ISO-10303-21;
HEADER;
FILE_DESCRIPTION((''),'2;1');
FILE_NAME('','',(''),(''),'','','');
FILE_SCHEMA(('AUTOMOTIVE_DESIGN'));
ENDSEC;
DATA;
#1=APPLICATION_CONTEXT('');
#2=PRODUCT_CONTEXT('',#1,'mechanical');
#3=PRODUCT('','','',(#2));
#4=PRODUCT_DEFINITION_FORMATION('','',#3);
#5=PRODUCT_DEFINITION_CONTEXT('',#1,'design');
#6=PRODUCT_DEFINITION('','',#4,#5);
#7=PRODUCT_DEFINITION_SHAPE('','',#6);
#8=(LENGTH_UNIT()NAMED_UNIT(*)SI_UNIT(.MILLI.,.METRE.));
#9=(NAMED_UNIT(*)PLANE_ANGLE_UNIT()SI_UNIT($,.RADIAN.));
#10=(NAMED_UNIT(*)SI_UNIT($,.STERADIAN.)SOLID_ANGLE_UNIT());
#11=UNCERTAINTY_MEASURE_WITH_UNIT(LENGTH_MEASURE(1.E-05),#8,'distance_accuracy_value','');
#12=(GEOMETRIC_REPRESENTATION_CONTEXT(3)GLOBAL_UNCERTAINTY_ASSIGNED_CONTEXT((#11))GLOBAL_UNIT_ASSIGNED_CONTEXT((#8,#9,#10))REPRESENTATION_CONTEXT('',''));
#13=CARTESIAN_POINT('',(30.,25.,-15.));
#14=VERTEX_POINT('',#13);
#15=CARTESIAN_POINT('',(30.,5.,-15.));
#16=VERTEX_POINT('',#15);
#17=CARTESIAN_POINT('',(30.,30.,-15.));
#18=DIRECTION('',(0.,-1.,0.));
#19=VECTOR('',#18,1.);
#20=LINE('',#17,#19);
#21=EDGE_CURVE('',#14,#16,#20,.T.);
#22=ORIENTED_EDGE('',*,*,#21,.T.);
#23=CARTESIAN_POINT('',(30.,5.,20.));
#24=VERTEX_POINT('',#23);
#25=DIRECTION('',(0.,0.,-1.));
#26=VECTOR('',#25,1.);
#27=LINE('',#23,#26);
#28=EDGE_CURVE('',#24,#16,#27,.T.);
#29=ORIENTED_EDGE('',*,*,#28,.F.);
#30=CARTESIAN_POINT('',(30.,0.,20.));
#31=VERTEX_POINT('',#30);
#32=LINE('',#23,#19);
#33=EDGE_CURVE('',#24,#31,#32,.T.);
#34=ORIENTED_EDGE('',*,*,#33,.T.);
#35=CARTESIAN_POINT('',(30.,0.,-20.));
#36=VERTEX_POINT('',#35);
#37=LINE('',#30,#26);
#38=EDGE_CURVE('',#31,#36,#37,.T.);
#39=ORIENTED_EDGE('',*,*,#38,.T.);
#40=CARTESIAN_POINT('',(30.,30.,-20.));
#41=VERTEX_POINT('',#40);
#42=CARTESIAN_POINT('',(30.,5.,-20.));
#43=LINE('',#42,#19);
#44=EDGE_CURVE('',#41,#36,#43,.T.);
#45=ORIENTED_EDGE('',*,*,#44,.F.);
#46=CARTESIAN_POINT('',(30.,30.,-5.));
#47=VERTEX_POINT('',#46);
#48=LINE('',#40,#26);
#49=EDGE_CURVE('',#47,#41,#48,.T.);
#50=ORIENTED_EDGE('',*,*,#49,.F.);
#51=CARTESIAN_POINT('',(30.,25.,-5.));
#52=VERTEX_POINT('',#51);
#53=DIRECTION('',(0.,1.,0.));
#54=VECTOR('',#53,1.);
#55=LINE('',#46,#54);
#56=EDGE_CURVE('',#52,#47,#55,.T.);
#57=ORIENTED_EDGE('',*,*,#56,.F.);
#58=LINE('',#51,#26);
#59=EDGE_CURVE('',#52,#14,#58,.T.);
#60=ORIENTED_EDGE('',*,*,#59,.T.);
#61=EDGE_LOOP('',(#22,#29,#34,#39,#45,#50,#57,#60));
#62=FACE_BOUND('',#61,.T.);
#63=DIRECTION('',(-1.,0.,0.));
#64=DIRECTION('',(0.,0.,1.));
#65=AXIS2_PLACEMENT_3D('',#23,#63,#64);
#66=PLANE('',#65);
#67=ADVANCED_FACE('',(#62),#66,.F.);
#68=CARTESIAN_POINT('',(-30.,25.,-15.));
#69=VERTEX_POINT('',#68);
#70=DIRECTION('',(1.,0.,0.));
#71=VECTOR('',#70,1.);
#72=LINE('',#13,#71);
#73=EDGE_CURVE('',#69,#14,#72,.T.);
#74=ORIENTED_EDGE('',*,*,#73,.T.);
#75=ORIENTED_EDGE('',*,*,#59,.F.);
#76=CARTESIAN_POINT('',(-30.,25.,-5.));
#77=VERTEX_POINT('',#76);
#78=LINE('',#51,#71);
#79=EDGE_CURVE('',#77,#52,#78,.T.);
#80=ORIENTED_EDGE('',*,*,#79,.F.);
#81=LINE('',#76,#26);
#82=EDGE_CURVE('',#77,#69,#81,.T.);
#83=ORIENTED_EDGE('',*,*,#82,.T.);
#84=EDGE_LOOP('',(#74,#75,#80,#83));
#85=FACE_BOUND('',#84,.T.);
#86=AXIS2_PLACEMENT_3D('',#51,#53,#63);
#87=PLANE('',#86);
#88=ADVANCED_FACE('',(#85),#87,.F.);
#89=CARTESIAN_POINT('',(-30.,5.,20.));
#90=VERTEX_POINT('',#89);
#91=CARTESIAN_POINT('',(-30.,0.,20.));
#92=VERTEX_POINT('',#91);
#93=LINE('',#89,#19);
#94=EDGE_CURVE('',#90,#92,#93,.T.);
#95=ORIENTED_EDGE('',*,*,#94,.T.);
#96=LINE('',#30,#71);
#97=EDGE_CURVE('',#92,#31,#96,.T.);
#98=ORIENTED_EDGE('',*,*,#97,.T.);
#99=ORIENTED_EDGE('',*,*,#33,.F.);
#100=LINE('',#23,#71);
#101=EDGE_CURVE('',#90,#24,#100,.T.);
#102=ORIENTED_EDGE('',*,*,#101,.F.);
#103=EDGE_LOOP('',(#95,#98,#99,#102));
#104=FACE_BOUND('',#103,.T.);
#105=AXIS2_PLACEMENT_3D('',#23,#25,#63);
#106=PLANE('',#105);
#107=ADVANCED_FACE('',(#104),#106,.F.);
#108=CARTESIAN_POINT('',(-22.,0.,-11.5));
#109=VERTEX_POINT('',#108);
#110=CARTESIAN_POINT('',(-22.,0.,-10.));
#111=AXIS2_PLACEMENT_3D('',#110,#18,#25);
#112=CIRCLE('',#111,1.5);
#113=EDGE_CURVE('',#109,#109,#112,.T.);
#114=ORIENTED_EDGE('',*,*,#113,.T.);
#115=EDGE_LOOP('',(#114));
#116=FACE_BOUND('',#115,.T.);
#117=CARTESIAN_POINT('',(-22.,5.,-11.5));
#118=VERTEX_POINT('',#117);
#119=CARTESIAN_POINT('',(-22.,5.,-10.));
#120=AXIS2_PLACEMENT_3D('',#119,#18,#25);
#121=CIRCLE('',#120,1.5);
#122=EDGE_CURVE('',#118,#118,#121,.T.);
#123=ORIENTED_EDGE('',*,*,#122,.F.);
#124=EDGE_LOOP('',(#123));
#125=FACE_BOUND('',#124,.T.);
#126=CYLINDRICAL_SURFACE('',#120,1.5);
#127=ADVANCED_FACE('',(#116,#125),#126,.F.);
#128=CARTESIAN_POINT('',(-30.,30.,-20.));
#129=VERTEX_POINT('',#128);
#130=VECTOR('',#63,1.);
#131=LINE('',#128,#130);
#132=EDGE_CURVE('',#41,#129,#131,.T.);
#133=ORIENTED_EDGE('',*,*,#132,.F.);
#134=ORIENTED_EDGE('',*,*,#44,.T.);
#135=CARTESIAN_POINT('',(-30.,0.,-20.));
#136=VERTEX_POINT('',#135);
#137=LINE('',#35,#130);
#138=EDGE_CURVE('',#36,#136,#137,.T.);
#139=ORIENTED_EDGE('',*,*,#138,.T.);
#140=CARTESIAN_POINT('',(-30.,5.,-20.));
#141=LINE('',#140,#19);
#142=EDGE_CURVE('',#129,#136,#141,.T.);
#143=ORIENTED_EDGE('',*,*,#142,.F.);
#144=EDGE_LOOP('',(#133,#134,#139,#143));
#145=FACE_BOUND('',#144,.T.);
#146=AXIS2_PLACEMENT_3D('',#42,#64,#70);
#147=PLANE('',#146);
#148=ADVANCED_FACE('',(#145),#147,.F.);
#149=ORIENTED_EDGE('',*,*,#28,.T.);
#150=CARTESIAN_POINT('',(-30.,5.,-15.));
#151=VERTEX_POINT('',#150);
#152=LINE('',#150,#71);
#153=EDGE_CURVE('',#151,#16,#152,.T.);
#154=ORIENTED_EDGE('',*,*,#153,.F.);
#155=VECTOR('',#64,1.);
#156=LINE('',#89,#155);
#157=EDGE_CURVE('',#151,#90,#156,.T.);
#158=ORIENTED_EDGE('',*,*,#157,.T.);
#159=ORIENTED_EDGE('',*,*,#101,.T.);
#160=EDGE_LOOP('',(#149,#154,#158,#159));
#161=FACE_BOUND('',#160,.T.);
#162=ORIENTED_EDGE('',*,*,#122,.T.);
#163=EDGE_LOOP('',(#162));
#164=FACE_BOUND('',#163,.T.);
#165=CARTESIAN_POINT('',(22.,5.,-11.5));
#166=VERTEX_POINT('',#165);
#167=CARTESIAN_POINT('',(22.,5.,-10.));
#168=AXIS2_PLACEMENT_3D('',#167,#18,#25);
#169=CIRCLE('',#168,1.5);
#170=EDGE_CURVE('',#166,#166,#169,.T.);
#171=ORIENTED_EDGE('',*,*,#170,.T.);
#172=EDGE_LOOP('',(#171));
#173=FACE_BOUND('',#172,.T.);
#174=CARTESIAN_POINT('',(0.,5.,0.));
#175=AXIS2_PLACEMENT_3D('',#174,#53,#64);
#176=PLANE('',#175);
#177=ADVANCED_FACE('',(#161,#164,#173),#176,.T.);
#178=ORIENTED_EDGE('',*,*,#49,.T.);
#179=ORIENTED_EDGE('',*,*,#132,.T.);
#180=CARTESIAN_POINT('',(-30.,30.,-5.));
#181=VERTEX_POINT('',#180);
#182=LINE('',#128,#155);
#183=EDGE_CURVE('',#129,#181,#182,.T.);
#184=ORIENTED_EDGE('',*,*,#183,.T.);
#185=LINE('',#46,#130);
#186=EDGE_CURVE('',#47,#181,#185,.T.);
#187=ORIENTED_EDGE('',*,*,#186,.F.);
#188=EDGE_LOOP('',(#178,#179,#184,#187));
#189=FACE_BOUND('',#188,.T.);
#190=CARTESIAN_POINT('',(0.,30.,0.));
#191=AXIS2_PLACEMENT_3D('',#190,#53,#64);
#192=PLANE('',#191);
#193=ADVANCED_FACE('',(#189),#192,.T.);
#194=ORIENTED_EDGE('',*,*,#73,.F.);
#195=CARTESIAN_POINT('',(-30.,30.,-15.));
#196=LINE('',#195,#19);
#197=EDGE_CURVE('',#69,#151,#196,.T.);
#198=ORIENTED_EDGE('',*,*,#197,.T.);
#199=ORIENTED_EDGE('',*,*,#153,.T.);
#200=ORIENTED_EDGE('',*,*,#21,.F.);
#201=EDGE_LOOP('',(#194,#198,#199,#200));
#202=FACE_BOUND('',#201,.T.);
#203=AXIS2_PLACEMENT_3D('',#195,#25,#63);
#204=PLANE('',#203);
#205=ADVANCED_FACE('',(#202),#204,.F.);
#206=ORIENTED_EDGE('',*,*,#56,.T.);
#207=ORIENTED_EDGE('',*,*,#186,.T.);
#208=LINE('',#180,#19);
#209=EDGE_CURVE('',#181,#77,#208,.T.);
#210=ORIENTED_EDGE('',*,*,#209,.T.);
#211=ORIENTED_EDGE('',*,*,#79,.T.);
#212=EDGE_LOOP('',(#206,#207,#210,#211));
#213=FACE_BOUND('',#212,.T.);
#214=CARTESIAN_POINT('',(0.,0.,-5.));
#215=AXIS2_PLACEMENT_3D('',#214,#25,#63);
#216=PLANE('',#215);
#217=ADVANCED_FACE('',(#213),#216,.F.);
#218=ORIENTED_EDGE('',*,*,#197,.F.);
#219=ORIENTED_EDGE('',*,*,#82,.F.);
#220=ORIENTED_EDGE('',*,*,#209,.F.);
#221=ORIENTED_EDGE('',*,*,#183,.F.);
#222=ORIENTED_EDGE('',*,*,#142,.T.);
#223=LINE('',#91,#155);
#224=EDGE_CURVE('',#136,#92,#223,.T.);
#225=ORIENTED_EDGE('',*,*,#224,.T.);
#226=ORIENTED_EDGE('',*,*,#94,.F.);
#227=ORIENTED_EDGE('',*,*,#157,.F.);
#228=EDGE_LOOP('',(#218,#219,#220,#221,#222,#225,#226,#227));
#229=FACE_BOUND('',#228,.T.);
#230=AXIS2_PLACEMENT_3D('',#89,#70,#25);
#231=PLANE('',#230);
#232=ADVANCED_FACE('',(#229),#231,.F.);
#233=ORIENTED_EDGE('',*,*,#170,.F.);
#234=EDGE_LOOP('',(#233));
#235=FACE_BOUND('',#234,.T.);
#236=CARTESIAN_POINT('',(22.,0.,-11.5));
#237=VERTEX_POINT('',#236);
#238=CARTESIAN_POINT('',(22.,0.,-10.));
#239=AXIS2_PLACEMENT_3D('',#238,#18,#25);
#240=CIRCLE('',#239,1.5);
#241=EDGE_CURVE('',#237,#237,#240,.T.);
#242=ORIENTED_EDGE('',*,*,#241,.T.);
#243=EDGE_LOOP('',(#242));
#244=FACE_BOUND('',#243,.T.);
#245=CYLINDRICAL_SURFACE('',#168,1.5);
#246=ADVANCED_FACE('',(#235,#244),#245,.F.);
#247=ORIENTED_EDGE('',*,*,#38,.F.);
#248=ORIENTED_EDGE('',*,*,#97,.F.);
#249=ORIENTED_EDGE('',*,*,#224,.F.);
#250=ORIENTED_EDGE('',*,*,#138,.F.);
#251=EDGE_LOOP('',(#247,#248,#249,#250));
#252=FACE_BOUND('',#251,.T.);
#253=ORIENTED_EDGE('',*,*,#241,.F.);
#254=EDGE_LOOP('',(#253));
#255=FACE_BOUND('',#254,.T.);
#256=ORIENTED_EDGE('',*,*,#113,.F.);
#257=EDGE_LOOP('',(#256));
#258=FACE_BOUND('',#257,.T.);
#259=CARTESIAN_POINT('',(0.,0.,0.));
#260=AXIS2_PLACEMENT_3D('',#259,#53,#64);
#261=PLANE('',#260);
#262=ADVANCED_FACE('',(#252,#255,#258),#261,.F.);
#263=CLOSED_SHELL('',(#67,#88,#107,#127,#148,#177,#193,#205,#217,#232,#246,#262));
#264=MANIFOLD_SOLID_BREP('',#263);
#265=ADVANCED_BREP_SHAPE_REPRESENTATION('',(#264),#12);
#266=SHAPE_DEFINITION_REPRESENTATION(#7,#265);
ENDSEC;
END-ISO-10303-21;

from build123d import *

# Parameters (mm, degrees)
SKETCH_1_W          = 60
SKETCH_1_H          = 40
EXTRUDE_1_DEPTH     = 5
SKETCH_3_W          = 60
SKETCH_3_H          = 5
EXTRUDE_2_DEPTH     = 25
SKETCH_4_W          = 60
SKETCH_4_H          = 5
EXTRUDE_3_DEPTH     = 10
SKETCH_5_R          = 1.5
CUT_EXTRUDE_1_DEPTH = 5


with BuildPart() as part:
    # Эскиз1 → Бобышка-Вытянуть1 (new body)
    with BuildSketch(Plane(origin=(0, 0, 0), x_dir=(1, 0, 0), z_dir=(0, 1, 0))):
        Rectangle(SKETCH_1_W, SKETCH_1_H)
    extrude(amount=EXTRUDE_1_DEPTH)

    # Эскиз3 → Бобышка-Вытянуть2 (add)
    with BuildSketch(Plane(origin=(0, 5, 0), x_dir=(1, 0, 0), z_dir=(0, 1, 0))):
        with Locations((0, 17.5)):
            Rectangle(SKETCH_3_W, SKETCH_3_H)
    extrude(amount=EXTRUDE_2_DEPTH)

    # Эскиз4 → Бобышка-Вытянуть3 (add)
    with BuildSketch(Plane.XY.offset(-15)):
        with Locations((0, 27.5)):
            Rectangle(SKETCH_4_W, SKETCH_4_H)
    extrude(amount=EXTRUDE_3_DEPTH)

    # Эскиз5 → Вырез-Вытянуть1 (cut)
    with BuildSketch(Plane.XZ):
        with Locations(Location((22, -10, 0), (0, 0, 270))):
            Circle(SKETCH_5_R)
        with Locations(Location((-22, -10, 0), (0, 0, 270))):
            Circle(SKETCH_5_R)
    extrude(amount=-CUT_EXTRUDE_1_DEPTH, mode=Mode.SUBTRACT)


solid = part.part
